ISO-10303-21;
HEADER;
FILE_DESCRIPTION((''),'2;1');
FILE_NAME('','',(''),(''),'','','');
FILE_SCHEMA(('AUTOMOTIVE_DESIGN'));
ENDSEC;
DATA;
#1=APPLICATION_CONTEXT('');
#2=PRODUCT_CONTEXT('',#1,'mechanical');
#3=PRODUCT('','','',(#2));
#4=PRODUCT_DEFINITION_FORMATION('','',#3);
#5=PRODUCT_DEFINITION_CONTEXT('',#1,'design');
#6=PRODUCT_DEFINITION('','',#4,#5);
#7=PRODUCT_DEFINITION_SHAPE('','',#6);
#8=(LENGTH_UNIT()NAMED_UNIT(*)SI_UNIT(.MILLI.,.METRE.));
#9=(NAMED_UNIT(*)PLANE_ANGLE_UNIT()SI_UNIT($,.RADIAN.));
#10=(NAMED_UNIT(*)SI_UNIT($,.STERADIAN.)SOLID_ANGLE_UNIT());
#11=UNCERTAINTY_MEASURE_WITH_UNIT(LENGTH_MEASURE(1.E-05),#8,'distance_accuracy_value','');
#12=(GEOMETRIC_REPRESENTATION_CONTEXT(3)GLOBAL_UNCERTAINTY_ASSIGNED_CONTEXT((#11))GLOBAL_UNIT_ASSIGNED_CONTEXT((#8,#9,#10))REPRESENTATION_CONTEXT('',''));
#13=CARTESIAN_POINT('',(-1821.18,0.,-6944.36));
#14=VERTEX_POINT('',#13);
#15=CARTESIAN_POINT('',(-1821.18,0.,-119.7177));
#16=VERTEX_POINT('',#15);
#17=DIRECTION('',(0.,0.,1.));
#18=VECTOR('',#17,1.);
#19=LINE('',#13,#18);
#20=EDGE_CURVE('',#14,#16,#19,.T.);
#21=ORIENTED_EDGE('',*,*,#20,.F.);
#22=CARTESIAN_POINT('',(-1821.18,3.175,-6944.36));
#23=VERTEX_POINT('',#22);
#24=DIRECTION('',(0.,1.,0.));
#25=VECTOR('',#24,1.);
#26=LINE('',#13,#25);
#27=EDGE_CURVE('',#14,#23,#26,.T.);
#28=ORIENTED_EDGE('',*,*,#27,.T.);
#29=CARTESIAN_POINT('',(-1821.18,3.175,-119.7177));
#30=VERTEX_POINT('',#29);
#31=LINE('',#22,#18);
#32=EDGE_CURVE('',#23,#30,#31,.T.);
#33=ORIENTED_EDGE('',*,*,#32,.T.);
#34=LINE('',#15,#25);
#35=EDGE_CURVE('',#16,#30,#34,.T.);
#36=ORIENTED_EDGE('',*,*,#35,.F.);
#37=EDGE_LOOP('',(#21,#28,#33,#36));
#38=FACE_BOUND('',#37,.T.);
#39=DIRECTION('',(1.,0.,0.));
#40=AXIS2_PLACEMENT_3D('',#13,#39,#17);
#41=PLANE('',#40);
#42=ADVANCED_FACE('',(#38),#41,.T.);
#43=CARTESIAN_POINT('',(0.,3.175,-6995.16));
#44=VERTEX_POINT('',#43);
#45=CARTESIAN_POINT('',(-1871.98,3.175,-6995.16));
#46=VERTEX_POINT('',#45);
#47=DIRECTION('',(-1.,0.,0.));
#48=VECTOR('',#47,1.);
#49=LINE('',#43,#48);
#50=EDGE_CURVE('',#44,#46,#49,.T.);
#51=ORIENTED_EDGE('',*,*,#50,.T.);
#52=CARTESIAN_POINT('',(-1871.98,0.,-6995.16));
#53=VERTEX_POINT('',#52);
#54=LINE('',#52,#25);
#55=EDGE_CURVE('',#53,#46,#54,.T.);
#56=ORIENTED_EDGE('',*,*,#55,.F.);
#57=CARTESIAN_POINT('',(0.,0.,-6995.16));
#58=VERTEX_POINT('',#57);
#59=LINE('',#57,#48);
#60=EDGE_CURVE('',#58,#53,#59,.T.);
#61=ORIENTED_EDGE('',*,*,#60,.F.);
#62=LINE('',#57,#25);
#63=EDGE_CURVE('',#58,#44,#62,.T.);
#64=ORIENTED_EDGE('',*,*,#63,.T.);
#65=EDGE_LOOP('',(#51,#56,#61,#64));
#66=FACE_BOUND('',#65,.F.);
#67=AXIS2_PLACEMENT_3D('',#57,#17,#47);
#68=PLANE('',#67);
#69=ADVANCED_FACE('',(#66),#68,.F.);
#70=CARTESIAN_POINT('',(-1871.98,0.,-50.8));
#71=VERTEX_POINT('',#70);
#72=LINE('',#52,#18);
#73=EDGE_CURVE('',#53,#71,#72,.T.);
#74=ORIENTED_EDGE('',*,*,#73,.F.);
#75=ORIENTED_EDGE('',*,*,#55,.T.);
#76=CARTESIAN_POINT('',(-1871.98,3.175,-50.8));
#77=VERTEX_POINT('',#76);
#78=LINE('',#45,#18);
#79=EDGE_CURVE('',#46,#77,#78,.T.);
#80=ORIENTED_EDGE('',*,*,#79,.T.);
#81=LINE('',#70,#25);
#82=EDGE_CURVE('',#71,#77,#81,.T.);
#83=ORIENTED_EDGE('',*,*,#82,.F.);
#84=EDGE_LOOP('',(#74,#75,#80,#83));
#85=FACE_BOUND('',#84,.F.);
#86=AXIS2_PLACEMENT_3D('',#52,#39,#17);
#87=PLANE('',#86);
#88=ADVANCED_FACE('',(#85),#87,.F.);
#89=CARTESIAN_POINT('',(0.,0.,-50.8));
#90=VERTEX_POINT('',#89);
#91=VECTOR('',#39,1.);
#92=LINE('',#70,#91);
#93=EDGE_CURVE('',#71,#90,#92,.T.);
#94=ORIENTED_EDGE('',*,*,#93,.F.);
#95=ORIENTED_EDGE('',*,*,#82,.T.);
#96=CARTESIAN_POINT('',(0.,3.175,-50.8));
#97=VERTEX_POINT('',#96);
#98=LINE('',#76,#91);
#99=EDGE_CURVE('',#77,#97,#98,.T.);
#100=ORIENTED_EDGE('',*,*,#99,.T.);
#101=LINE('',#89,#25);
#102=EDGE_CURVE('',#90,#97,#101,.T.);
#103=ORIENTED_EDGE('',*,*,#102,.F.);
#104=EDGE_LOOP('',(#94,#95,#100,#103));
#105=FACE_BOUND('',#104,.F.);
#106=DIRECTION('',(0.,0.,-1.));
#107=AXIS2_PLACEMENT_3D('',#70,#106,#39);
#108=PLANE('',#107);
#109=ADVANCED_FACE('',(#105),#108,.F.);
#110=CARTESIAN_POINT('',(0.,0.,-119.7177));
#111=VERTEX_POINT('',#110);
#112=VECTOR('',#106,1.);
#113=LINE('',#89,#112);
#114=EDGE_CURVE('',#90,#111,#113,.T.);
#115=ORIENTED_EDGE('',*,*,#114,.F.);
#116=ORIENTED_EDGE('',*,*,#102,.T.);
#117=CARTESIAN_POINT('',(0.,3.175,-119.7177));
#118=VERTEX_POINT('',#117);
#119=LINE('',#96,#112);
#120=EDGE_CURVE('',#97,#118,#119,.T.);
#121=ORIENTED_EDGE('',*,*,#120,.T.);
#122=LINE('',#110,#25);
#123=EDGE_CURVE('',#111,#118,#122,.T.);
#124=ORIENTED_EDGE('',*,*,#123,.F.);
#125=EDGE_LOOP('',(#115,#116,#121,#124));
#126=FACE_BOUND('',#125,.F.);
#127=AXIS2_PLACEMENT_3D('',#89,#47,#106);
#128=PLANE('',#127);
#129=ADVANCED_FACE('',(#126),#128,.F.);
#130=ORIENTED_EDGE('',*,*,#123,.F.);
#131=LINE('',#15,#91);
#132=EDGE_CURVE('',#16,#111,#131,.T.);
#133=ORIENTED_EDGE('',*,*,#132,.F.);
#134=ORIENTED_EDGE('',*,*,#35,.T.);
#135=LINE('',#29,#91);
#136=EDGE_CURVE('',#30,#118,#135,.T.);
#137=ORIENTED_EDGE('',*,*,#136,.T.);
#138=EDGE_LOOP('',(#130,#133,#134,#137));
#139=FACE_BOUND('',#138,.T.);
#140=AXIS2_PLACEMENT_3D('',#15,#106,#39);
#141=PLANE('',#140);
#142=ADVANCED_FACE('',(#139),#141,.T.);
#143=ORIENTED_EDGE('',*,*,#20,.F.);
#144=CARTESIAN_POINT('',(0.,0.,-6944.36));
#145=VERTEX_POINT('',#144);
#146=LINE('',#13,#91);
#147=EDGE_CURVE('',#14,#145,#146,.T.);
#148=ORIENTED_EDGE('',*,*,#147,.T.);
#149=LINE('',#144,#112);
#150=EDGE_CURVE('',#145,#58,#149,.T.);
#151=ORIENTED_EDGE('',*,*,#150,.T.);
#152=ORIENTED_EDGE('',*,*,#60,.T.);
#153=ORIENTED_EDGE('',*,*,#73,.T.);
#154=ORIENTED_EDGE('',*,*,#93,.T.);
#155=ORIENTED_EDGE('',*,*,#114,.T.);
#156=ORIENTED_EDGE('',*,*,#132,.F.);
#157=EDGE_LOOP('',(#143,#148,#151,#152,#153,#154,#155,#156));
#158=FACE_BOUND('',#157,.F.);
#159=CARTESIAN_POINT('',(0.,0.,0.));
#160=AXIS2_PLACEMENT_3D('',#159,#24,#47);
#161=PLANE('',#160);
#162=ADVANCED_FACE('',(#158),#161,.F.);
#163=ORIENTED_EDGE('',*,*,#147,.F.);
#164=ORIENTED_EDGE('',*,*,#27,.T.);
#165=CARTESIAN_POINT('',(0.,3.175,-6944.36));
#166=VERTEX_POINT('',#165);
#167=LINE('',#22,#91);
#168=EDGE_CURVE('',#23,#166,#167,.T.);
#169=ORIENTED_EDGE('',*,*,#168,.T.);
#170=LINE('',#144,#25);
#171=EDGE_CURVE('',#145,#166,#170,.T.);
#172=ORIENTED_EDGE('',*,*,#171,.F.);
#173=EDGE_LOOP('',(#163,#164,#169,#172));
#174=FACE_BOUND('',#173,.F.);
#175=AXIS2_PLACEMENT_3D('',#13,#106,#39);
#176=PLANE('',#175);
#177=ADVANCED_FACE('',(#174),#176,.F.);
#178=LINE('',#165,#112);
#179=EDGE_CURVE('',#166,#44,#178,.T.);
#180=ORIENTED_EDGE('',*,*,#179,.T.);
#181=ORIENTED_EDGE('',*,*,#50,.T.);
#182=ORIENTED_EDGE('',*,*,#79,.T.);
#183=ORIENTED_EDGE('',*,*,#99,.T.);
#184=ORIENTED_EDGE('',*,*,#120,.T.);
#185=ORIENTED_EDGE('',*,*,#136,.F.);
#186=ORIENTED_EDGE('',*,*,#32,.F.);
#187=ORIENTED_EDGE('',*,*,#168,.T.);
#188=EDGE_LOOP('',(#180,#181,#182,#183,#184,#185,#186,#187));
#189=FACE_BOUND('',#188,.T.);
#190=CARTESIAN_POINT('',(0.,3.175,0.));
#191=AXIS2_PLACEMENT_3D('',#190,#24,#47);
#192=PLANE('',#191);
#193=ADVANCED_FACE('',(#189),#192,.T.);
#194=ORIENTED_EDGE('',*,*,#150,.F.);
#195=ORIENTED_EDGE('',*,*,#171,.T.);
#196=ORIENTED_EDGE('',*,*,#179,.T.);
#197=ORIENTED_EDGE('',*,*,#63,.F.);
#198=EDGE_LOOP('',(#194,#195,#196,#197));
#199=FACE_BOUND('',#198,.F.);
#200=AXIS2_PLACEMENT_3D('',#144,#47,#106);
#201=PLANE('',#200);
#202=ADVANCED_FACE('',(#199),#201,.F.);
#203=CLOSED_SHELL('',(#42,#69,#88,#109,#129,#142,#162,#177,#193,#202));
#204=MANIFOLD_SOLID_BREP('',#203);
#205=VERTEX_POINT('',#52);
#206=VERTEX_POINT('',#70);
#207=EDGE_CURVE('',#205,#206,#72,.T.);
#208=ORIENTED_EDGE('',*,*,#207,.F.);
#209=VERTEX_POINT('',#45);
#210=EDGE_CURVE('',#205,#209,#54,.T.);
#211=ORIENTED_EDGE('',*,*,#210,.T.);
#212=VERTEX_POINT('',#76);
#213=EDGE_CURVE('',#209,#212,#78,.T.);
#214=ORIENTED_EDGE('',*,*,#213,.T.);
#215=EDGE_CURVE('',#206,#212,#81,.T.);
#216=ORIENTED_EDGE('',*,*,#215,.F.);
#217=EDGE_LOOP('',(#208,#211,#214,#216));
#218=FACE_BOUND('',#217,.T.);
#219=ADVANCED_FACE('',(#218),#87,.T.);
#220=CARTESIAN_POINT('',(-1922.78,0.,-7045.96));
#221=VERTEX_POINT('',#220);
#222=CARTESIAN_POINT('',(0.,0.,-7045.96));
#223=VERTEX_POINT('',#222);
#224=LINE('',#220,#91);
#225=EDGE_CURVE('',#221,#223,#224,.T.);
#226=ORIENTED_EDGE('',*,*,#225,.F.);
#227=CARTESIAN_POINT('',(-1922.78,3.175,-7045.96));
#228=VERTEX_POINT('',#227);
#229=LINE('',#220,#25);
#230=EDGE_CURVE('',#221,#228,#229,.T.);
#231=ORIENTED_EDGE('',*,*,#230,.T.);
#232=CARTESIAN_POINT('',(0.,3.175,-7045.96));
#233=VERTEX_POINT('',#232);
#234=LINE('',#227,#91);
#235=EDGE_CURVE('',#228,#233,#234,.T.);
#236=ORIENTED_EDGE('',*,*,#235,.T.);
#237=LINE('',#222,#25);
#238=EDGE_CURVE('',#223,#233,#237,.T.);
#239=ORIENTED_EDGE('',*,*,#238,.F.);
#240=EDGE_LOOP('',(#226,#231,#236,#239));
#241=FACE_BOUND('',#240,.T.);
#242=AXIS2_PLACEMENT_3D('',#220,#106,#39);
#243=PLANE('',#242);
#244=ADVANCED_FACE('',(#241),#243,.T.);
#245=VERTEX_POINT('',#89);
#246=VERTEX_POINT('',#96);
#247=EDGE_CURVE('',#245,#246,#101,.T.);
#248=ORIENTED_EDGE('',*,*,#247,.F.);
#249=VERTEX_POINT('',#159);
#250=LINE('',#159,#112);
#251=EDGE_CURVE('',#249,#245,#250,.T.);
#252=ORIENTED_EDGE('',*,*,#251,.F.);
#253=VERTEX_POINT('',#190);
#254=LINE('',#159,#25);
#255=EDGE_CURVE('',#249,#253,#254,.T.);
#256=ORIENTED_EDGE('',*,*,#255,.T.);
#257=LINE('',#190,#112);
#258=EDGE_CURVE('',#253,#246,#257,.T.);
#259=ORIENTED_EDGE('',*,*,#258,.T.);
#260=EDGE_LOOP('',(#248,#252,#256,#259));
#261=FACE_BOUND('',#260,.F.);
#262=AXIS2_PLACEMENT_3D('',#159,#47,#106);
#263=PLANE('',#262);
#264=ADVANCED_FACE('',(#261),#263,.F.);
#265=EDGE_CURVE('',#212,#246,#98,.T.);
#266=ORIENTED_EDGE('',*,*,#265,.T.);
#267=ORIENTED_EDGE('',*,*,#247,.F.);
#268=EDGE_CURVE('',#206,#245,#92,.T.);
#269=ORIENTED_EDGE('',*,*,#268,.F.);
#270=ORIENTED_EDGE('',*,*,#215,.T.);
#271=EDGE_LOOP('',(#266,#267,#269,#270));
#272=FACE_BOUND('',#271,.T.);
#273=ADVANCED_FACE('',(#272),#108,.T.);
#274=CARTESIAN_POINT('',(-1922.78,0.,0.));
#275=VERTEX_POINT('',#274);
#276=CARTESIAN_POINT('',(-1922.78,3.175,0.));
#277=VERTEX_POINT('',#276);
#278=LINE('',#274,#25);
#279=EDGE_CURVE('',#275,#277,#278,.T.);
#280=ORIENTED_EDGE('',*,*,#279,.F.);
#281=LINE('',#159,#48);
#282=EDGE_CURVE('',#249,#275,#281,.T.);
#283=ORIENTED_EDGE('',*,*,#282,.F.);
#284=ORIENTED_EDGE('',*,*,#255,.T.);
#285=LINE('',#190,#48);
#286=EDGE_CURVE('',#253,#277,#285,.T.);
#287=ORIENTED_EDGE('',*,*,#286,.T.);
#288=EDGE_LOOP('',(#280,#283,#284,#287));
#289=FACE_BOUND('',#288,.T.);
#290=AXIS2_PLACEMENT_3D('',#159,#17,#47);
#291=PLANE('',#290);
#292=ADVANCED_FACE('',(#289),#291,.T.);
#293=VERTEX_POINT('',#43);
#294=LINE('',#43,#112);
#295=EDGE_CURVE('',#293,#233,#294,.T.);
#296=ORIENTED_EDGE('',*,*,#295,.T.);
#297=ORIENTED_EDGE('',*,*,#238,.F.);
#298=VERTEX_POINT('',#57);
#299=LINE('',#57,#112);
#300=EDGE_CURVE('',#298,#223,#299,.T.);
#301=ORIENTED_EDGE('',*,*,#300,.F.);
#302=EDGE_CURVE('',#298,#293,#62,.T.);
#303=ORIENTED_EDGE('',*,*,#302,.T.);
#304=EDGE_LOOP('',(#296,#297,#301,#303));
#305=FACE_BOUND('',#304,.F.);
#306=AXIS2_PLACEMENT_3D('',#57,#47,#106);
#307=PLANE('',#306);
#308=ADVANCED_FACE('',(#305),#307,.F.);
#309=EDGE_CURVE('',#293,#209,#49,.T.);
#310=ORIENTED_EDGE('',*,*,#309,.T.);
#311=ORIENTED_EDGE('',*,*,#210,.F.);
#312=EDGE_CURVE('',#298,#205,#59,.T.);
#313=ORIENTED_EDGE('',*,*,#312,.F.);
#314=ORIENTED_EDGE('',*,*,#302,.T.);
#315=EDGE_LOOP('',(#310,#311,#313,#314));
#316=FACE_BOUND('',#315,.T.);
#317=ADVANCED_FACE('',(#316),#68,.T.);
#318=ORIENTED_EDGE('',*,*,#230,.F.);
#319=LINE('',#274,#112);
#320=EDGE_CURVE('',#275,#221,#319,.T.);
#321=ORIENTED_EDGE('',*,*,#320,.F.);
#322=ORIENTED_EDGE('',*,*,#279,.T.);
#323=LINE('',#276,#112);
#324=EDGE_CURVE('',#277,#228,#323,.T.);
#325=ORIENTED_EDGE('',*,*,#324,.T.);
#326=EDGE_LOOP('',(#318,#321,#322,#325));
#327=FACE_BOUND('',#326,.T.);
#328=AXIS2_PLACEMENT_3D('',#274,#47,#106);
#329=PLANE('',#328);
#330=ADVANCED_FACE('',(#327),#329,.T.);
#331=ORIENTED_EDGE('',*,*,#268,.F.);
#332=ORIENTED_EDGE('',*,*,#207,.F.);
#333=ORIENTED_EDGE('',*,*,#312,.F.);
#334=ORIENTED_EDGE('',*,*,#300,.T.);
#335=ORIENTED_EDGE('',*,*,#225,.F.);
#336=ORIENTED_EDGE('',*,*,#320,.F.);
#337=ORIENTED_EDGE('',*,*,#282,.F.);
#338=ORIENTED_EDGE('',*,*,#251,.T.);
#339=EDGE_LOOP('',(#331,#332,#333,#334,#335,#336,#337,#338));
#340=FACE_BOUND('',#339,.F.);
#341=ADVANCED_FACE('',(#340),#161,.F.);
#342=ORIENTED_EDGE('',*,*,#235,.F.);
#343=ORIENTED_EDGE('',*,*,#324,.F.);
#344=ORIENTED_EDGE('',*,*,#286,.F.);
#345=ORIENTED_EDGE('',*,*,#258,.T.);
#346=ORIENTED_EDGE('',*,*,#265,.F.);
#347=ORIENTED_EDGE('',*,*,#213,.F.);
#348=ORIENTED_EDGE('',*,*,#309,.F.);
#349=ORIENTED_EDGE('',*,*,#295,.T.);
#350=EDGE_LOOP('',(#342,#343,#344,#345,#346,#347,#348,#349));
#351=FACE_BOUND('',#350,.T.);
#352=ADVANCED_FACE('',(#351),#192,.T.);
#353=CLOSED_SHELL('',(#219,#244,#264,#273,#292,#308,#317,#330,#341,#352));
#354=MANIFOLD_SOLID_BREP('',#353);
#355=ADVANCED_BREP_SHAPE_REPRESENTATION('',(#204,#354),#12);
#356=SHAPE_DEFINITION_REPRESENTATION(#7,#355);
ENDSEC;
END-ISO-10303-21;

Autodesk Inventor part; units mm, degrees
ref_plane "YZ Plane" through (0, 0, 0) normal (1, 0, 0) x (0, 1, 0)
ref_plane "XZ Plane" through (0, 0, 0) normal (0, 1, 0) x (-1, 0, 0)
ref_plane "XY Plane" through (0, 0, 0) normal (0, 0, 1) x (1, 0, 0)
sketch "Sketch1" plane through (0, 0, 0) normal (0, 1, 0) x (-1, 0, 0)
  line L0 (0, 0) -> (1922.78, 0)
  line L1 (1922.78, 0) -> (1922.78, -7045.96)
  line L2 (1922.78, -7045.96) -> (0, -7045.96)
  line L3 (0, -6995.16) -> (1871.98, -6995.16)
  line L4 (1871.98, -6995.16) -> (1871.98, -50.8)
  line L5 (1871.98, -50.8) -> (0, -50.8)
  line L6 (0, 0) -> (0, -50.8)
  line L7 (0, -6995.16) -> (0, -7045.96)
  line L8 (1821.18, -6944.36) -> (0, -6944.36)
  line L9 (1821.18, -6944.36) -> (1821.18, -119.7177)
  line L10 (0, -6944.36) -> (0, -6995.16)
  line L11 (1821.18, -119.7177) -> (0, -119.7177)
  line L12 (0, -50.8) -> (0, -119.7177)
  dimension "d0" = 1922.78
  dimension "d1" = 7045.96
  dimension "d2" = 1922.78
  dimension "d3" = 50.8
  dimension "d6" = 50.8
  dimension "d7" = 50.8
extrude "Extrusion1" add sketch "Sketch1" along normal blind 3.175 contours L0 L1 L2 L7 L3 L4 L5 L6
extrude "Extrusion2" add sketch "Sketch1" along normal blind 3.175 separate body contours L5 L4 L3 L10 L8 L9 L11 L12
equation "\"d0\" = d2"
properties part number "Trim_Blue"
